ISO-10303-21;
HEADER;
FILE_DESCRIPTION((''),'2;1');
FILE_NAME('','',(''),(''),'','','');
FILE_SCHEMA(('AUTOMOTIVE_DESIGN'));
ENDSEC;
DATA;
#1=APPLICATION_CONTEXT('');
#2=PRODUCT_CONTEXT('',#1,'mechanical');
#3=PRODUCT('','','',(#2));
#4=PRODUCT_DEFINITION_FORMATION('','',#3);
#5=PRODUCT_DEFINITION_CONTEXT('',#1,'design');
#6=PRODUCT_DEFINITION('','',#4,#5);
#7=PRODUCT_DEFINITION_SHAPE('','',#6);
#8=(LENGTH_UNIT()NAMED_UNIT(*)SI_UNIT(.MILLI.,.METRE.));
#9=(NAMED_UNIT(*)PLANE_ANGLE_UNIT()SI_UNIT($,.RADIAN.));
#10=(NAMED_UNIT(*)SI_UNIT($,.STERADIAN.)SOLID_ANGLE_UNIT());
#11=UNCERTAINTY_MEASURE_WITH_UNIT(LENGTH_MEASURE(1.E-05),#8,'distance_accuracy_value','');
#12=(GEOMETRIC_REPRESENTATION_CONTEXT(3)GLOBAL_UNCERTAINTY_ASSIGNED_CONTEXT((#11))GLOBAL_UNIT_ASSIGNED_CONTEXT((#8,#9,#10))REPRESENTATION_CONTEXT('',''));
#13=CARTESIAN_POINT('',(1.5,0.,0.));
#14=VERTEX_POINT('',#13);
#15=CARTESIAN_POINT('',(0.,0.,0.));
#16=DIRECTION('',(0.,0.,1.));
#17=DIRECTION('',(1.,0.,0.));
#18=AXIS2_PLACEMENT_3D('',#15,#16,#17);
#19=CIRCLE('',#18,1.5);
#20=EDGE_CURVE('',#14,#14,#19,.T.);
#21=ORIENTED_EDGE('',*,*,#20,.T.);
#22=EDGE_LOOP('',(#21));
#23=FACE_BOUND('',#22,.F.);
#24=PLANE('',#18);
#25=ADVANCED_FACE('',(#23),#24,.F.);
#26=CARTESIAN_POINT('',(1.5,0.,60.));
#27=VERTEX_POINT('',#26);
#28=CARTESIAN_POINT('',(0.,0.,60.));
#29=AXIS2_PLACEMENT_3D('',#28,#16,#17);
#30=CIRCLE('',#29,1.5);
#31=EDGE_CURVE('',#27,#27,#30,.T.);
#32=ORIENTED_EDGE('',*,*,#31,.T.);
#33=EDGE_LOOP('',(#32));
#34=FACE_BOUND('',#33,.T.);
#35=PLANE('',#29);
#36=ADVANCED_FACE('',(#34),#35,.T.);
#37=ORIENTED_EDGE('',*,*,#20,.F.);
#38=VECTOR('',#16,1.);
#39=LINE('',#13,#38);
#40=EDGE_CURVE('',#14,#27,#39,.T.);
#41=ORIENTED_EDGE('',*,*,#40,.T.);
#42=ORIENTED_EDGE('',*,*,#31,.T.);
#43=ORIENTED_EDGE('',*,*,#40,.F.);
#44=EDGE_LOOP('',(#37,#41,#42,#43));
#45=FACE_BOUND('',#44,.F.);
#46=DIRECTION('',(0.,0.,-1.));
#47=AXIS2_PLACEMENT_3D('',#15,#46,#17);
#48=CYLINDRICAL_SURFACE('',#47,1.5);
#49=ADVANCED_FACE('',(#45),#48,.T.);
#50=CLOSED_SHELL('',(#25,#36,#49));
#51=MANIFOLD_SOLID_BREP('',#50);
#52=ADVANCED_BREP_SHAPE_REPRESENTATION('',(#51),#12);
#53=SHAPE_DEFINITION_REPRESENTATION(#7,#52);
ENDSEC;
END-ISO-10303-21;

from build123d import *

# Parameters (mm, degrees)
CROQUIS1_R              = 1.5
SALIENTE_EXTRUIR1_DEPTH = 60


with BuildPart() as part:
    # Croquis1 → Saliente-Extruir1 (new body)
    with BuildSketch(Plane.XY):
        Circle(CROQUIS1_R)
    extrude(amount=SALIENTE_EXTRUIR1_DEPTH)


solid = part.part
